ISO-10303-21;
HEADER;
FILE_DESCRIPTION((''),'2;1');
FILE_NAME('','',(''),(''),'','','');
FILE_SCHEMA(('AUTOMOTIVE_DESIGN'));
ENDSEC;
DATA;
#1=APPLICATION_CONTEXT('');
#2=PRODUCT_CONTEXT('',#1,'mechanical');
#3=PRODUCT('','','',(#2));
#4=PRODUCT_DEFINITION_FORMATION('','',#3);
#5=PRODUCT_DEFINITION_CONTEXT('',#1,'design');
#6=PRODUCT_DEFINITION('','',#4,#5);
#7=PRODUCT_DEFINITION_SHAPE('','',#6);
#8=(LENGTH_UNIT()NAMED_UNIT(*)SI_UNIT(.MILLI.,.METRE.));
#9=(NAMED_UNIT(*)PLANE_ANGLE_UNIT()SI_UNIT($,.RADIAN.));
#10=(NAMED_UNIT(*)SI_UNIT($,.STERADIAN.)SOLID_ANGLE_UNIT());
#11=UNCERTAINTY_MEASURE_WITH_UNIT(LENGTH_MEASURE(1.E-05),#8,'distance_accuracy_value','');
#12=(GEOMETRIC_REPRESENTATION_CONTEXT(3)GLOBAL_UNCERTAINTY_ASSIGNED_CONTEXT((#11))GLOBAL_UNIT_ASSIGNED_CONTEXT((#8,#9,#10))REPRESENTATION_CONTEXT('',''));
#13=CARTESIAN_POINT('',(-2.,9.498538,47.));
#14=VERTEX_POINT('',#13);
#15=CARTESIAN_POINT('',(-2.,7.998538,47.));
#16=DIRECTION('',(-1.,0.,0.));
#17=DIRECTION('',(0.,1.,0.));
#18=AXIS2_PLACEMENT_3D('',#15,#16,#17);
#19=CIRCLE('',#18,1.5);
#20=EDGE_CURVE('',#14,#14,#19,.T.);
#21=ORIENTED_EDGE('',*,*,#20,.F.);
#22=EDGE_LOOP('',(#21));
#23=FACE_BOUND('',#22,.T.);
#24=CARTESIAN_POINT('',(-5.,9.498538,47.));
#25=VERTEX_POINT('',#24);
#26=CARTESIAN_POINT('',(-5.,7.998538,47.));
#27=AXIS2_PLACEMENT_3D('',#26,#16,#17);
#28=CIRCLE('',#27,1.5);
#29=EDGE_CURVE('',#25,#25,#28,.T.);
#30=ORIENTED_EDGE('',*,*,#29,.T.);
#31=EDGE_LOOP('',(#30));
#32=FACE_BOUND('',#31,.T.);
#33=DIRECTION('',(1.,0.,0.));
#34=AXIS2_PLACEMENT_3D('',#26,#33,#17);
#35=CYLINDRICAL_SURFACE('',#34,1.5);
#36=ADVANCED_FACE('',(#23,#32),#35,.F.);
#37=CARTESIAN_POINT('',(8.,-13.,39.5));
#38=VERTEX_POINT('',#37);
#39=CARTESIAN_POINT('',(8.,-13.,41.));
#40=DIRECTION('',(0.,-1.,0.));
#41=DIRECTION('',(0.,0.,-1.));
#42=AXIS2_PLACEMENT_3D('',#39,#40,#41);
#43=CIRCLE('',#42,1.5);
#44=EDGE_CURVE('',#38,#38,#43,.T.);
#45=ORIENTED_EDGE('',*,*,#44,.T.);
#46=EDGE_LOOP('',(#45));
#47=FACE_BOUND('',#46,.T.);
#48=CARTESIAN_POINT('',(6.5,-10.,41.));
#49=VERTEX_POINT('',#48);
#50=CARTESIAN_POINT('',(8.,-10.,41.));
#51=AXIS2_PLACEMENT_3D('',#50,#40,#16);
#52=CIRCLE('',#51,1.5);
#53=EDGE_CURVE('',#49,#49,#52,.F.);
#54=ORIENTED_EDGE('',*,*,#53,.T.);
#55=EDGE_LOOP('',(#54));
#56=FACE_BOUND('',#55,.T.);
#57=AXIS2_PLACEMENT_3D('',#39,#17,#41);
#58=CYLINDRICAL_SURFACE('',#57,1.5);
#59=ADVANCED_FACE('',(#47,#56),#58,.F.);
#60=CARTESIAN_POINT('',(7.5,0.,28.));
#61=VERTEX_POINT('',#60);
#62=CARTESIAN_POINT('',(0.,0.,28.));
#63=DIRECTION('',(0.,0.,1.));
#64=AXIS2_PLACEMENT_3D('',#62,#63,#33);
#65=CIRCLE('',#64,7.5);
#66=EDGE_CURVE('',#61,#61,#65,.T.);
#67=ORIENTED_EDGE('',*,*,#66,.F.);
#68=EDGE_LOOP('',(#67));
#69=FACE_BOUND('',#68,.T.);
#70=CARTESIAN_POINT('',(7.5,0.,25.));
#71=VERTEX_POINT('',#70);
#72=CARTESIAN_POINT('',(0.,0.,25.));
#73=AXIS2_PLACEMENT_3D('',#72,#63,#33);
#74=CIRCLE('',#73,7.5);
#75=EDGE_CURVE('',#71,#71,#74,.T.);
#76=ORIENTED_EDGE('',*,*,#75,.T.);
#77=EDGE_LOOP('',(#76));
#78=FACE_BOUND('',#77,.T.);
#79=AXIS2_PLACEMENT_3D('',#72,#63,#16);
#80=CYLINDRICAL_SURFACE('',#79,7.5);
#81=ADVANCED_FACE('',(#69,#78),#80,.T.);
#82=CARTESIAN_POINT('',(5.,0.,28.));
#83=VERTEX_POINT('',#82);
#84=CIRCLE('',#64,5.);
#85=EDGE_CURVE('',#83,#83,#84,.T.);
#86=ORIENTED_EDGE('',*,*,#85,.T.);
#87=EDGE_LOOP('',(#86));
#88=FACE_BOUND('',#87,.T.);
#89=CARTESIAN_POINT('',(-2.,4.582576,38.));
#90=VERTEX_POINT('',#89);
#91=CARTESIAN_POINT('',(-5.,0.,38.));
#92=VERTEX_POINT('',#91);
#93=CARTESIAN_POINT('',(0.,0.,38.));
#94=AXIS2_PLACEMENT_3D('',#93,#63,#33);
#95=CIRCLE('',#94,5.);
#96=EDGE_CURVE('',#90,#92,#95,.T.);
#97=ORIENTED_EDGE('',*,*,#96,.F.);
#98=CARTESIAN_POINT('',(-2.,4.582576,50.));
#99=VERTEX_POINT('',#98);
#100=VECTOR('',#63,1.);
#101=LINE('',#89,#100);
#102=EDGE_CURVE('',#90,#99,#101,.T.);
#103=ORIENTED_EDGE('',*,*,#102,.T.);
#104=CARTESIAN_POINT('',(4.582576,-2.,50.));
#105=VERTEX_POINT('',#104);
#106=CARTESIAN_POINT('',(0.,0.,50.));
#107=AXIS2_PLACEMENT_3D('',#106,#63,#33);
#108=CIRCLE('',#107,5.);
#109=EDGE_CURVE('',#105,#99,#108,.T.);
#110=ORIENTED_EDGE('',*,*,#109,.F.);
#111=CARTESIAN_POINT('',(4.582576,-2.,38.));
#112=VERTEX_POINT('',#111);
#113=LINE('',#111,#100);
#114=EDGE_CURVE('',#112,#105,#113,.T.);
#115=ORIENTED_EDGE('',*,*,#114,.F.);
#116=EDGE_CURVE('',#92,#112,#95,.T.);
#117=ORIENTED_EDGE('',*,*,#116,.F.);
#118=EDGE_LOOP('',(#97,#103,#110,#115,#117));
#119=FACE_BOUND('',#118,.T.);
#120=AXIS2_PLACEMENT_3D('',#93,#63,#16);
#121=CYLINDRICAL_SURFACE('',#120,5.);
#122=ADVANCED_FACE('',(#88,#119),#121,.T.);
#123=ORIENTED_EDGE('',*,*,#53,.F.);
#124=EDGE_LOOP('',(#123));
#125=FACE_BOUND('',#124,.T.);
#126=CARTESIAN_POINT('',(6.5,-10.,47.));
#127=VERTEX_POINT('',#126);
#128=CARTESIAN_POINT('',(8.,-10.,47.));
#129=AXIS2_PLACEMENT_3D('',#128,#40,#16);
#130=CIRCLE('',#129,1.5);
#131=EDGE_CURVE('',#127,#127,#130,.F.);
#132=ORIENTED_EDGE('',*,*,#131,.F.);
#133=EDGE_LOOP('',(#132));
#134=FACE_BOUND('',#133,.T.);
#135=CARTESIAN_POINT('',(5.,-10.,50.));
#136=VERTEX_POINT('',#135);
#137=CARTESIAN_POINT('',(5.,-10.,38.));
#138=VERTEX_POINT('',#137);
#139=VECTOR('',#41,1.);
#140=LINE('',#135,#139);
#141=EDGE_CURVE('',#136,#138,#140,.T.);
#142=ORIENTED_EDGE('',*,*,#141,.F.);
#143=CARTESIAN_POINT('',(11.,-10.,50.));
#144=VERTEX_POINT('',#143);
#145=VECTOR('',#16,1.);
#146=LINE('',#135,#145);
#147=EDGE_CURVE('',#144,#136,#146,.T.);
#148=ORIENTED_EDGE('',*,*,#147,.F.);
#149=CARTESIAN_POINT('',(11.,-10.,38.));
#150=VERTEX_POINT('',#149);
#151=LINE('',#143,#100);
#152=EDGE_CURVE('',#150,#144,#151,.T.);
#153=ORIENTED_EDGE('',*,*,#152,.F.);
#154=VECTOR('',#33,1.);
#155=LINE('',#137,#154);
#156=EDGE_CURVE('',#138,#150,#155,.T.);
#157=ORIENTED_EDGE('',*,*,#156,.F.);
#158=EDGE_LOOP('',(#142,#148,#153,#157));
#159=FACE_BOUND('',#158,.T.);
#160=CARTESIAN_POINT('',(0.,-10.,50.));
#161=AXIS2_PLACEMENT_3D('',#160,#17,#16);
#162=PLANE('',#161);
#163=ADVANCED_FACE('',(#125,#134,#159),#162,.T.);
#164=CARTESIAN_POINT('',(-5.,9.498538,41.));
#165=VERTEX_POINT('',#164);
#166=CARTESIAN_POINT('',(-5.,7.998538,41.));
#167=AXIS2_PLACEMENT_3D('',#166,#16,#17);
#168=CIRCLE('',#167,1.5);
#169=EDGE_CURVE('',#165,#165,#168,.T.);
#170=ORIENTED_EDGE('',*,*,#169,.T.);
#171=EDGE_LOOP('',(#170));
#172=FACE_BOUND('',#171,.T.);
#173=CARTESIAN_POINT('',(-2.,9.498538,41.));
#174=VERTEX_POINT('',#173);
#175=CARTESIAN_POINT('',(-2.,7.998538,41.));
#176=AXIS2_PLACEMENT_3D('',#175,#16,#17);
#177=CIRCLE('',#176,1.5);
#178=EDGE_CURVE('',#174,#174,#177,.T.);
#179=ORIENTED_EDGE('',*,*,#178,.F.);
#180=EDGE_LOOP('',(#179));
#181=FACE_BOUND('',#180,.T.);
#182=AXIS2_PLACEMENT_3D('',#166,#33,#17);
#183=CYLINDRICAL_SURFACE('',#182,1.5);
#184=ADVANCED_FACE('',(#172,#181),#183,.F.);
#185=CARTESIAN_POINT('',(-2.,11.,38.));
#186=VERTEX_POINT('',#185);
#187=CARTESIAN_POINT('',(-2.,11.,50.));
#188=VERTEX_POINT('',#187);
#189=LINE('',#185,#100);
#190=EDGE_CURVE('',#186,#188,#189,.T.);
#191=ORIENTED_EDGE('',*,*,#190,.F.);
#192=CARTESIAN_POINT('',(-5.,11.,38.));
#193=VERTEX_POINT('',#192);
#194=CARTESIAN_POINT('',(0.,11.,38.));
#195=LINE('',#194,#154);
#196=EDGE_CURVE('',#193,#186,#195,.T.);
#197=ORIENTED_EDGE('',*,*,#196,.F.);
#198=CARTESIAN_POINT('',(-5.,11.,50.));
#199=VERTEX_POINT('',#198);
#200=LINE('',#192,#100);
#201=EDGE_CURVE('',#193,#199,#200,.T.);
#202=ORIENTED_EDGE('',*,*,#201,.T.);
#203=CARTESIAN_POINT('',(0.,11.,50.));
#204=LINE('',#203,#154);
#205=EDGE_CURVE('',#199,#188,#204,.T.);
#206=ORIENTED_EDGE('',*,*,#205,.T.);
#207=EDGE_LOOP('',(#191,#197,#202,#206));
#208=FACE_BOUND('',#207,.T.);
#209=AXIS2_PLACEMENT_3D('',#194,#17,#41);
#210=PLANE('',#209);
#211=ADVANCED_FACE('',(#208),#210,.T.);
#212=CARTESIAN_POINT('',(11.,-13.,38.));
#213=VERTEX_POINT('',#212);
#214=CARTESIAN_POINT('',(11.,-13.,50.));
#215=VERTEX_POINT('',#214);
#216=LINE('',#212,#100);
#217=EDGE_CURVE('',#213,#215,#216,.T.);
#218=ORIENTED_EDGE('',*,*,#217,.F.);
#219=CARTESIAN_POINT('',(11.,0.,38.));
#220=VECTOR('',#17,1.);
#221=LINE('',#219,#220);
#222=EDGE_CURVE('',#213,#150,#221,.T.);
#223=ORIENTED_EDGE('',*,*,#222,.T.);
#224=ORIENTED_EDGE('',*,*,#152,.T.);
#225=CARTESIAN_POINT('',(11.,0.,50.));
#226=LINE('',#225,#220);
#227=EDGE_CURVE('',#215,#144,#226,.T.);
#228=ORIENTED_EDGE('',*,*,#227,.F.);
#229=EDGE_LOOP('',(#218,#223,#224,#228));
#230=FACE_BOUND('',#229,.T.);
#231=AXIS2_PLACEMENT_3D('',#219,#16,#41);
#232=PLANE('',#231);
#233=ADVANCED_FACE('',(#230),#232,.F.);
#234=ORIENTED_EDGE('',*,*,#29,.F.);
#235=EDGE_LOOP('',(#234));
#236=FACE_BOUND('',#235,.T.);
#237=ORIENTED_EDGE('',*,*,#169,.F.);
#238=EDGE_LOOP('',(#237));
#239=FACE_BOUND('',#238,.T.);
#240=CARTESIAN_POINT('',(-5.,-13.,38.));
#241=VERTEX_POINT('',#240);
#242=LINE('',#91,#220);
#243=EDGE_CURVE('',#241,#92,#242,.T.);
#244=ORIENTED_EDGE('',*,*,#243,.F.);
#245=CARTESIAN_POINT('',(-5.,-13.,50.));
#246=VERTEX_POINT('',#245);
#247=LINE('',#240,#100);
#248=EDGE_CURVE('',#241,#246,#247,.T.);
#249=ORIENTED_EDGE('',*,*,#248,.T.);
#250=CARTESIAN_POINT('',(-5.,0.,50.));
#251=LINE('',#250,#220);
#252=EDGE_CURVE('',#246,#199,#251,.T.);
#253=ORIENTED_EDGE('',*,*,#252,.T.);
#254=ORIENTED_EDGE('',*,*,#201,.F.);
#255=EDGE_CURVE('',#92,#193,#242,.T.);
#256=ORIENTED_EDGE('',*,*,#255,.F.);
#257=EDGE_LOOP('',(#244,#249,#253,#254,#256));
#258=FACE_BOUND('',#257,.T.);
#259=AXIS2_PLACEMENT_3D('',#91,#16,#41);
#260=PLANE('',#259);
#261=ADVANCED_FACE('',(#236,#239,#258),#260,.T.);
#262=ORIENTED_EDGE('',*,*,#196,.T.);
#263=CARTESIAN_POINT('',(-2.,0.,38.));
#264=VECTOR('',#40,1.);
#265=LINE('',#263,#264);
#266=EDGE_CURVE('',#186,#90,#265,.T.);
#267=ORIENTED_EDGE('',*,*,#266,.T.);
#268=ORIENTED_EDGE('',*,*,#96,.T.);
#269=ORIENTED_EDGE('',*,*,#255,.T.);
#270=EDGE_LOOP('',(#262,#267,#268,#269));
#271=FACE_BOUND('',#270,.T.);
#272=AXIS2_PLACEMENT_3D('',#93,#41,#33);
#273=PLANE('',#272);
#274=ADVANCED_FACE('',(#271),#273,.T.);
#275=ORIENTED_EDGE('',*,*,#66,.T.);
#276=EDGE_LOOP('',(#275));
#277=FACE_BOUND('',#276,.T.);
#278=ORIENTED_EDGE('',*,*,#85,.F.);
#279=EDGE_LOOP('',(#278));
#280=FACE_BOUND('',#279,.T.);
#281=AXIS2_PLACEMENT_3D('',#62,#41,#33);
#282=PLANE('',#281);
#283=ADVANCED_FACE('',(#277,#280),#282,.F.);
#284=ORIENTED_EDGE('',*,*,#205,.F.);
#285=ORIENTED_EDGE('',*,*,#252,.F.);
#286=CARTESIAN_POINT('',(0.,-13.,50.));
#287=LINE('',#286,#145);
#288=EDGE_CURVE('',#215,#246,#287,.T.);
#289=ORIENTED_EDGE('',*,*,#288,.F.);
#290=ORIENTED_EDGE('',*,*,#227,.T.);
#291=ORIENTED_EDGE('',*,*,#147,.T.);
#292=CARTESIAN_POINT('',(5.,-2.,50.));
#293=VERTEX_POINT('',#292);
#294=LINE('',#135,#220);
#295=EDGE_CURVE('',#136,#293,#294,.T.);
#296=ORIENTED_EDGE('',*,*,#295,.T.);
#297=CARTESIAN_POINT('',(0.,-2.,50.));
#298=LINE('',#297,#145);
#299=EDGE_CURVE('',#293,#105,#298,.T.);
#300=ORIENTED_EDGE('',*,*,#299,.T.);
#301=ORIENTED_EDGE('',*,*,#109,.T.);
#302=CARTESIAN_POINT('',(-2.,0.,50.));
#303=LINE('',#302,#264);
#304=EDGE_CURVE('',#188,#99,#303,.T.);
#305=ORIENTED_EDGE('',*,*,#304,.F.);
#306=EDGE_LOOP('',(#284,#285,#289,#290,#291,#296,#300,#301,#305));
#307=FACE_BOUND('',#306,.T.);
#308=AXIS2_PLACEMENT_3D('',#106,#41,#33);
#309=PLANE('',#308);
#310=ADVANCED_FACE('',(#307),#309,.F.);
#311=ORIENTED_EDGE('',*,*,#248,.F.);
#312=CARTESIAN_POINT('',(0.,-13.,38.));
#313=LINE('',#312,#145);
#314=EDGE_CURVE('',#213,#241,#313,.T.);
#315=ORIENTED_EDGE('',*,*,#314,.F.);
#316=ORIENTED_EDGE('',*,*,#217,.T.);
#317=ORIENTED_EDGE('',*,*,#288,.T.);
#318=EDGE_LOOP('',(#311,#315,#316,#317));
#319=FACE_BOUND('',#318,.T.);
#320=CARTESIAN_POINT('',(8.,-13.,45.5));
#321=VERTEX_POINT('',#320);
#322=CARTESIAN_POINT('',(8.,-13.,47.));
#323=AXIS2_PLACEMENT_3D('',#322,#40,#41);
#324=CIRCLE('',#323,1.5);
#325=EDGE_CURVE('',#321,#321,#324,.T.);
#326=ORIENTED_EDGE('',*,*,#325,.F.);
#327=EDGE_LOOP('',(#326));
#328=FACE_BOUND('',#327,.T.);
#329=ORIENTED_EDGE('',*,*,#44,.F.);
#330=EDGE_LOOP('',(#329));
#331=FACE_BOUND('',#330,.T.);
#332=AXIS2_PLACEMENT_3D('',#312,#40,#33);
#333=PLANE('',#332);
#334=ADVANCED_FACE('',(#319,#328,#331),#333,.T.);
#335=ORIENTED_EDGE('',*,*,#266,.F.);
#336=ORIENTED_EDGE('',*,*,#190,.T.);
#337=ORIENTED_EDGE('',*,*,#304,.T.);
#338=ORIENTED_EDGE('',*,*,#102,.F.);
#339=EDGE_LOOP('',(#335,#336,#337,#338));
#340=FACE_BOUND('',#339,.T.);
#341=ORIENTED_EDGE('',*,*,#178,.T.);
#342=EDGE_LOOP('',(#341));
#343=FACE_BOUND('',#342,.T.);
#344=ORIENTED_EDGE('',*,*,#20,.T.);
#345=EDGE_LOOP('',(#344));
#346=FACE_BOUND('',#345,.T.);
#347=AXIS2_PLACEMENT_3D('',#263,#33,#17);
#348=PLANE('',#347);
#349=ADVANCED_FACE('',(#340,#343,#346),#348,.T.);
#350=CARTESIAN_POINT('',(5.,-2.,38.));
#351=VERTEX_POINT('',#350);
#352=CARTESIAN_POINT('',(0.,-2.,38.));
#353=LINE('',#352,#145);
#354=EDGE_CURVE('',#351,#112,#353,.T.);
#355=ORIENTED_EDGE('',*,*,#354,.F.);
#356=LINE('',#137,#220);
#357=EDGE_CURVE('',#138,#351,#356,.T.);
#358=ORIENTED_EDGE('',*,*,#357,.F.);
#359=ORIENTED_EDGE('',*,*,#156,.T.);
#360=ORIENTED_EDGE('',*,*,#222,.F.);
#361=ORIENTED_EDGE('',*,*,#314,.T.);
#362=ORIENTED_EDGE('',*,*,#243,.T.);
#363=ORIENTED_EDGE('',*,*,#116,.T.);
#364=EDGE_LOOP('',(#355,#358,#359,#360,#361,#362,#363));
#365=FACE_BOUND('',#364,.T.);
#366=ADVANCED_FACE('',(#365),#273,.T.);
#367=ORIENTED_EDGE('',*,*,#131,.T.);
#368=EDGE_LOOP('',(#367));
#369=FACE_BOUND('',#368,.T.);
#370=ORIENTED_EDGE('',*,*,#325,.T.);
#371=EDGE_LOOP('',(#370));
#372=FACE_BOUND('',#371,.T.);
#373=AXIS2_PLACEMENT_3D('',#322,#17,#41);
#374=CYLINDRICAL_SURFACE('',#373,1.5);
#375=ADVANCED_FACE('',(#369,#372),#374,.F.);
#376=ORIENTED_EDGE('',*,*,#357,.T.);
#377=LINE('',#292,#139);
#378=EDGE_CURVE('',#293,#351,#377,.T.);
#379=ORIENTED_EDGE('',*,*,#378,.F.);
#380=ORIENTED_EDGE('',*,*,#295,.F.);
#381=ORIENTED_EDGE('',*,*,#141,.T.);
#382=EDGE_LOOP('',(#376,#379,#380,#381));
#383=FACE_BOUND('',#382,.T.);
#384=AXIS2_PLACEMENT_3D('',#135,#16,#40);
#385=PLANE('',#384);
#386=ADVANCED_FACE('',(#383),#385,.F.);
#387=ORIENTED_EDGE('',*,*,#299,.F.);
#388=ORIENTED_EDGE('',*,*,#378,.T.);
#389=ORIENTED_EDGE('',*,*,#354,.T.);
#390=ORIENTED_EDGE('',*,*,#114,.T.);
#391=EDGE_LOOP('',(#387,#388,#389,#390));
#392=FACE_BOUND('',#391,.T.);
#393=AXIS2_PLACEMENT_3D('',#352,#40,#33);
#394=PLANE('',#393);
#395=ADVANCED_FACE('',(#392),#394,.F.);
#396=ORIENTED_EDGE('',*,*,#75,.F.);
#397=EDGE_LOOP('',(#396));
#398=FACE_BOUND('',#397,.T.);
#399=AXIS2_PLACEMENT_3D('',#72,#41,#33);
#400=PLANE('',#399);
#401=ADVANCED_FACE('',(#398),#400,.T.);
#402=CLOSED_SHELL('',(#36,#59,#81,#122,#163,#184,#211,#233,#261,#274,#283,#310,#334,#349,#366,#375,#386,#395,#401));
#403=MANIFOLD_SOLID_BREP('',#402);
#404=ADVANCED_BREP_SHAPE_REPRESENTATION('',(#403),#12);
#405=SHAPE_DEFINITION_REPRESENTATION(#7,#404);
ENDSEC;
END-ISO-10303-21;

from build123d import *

# Parameters (mm, degrees)
SKETCH_1_W          = 5
SKETCH_1_H          = 8
EXTRUDE_1_DEPTH     = 12
SKETCH_2_R          = 5
EXTRUDE_2_DEPTH     = 10
SKETCH_3_R          = 7.5
EXTRUDE_3_DEPTH     = 3
SKETCH_4_R          = 1.5
CUT_EXTRUDE_1_DEPTH = 3
SKETCH_5_R          = 1.5
CUT_EXTRUDE_2_DEPTH = 11
SKETCH_6_W          = 6
SKETCH_6_H          = 12
CUT_EXTRUDE_3_DEPTH = 8


with BuildPart() as part:
    # 草图1 → 凸台-拉伸1 (new body)
    with BuildSketch(Plane.XY):
        with BuildLine():
            Line((11, -2), (4.582575695, -2))
            ThreePointArc((4.582575695, -2), (3.535533906, 3.535533906), (-2, 4.582575695))
            Line((-2, 4.582575695), (-2, 11))
            Line((-2, 11), (-5, 11))
            Line((-5, 11), (-5, 0))
            Line((-5, 0), (-5, -5))
            Line((-5, -5), (0, -5))
            Line((0, -5), (11, -5))
            Line((11, -5), (11, -2))
        make_face()
        Polygon((-5, -13), (-5, -5), (0, -5), (11, -5), (11, -13), align=None)
        with Locations((-2.5, -9)):
            Rectangle(SKETCH_1_W, SKETCH_1_H)
    extrude(amount=EXTRUDE_1_DEPTH)

    # 草图2 → 凸台-拉伸2 (add)
    with BuildSketch(Plane.XY.offset(12)):
        with Locations(Location((0, 0, 0), (0, 0, 180))):
            Circle(SKETCH_2_R)
    extrude(amount=EXTRUDE_2_DEPTH)

    # 草图3 → 凸台-拉伸3 (add)
    with BuildSketch(Plane.XY.offset(22)):
        Circle(SKETCH_3_R)
    extrude(amount=EXTRUDE_3_DEPTH)

    # 草图4 → 切除-拉伸1 (cut)
    with BuildSketch(Plane(origin=(-2, 0, 0), x_dir=(0, 0, -1), z_dir=(1, 0, 0))):
        with Locations(Location((-9, 7.998538294, 0), (0, 0, 90))):
            Circle(SKETCH_4_R)
        with Locations(Location((-3, 7.998538294, 0), (0, 0, 90))):
            Circle(SKETCH_4_R)
    extrude(amount=-CUT_EXTRUDE_1_DEPTH, mode=Mode.SUBTRACT)

    # 草图5 → 切除-拉伸2 (cut)
    with BuildSketch(Plane(origin=(0, -2, 0), x_dir=(1, 0, 0), z_dir=(0, 1, 0))):
        with Locations(Location((8, -9, 0), (0, 0, 270))):
            Circle(SKETCH_5_R)
        with Locations(Location((8, -3, 0), (0, 0, 270))):
            Circle(SKETCH_5_R)
    extrude(amount=-CUT_EXTRUDE_2_DEPTH, mode=Mode.SUBTRACT)

    # 草图6 → 切除-拉伸3 (cut)
    with BuildSketch(Plane(origin=(0, -2, 0), x_dir=(1, 0, 0), z_dir=(0, 1, 0))):
        with Locations((8, -6)):
            Rectangle(SKETCH_6_W, SKETCH_6_H)
    extrude(amount=-CUT_EXTRUDE_3_DEPTH, mode=Mode.SUBTRACT)


with BuildPart() as body_2:
    # 镜向1: mirrored copy
    add(part.part.mirror(Plane.XY.offset(25)))


solid = body_2.part
